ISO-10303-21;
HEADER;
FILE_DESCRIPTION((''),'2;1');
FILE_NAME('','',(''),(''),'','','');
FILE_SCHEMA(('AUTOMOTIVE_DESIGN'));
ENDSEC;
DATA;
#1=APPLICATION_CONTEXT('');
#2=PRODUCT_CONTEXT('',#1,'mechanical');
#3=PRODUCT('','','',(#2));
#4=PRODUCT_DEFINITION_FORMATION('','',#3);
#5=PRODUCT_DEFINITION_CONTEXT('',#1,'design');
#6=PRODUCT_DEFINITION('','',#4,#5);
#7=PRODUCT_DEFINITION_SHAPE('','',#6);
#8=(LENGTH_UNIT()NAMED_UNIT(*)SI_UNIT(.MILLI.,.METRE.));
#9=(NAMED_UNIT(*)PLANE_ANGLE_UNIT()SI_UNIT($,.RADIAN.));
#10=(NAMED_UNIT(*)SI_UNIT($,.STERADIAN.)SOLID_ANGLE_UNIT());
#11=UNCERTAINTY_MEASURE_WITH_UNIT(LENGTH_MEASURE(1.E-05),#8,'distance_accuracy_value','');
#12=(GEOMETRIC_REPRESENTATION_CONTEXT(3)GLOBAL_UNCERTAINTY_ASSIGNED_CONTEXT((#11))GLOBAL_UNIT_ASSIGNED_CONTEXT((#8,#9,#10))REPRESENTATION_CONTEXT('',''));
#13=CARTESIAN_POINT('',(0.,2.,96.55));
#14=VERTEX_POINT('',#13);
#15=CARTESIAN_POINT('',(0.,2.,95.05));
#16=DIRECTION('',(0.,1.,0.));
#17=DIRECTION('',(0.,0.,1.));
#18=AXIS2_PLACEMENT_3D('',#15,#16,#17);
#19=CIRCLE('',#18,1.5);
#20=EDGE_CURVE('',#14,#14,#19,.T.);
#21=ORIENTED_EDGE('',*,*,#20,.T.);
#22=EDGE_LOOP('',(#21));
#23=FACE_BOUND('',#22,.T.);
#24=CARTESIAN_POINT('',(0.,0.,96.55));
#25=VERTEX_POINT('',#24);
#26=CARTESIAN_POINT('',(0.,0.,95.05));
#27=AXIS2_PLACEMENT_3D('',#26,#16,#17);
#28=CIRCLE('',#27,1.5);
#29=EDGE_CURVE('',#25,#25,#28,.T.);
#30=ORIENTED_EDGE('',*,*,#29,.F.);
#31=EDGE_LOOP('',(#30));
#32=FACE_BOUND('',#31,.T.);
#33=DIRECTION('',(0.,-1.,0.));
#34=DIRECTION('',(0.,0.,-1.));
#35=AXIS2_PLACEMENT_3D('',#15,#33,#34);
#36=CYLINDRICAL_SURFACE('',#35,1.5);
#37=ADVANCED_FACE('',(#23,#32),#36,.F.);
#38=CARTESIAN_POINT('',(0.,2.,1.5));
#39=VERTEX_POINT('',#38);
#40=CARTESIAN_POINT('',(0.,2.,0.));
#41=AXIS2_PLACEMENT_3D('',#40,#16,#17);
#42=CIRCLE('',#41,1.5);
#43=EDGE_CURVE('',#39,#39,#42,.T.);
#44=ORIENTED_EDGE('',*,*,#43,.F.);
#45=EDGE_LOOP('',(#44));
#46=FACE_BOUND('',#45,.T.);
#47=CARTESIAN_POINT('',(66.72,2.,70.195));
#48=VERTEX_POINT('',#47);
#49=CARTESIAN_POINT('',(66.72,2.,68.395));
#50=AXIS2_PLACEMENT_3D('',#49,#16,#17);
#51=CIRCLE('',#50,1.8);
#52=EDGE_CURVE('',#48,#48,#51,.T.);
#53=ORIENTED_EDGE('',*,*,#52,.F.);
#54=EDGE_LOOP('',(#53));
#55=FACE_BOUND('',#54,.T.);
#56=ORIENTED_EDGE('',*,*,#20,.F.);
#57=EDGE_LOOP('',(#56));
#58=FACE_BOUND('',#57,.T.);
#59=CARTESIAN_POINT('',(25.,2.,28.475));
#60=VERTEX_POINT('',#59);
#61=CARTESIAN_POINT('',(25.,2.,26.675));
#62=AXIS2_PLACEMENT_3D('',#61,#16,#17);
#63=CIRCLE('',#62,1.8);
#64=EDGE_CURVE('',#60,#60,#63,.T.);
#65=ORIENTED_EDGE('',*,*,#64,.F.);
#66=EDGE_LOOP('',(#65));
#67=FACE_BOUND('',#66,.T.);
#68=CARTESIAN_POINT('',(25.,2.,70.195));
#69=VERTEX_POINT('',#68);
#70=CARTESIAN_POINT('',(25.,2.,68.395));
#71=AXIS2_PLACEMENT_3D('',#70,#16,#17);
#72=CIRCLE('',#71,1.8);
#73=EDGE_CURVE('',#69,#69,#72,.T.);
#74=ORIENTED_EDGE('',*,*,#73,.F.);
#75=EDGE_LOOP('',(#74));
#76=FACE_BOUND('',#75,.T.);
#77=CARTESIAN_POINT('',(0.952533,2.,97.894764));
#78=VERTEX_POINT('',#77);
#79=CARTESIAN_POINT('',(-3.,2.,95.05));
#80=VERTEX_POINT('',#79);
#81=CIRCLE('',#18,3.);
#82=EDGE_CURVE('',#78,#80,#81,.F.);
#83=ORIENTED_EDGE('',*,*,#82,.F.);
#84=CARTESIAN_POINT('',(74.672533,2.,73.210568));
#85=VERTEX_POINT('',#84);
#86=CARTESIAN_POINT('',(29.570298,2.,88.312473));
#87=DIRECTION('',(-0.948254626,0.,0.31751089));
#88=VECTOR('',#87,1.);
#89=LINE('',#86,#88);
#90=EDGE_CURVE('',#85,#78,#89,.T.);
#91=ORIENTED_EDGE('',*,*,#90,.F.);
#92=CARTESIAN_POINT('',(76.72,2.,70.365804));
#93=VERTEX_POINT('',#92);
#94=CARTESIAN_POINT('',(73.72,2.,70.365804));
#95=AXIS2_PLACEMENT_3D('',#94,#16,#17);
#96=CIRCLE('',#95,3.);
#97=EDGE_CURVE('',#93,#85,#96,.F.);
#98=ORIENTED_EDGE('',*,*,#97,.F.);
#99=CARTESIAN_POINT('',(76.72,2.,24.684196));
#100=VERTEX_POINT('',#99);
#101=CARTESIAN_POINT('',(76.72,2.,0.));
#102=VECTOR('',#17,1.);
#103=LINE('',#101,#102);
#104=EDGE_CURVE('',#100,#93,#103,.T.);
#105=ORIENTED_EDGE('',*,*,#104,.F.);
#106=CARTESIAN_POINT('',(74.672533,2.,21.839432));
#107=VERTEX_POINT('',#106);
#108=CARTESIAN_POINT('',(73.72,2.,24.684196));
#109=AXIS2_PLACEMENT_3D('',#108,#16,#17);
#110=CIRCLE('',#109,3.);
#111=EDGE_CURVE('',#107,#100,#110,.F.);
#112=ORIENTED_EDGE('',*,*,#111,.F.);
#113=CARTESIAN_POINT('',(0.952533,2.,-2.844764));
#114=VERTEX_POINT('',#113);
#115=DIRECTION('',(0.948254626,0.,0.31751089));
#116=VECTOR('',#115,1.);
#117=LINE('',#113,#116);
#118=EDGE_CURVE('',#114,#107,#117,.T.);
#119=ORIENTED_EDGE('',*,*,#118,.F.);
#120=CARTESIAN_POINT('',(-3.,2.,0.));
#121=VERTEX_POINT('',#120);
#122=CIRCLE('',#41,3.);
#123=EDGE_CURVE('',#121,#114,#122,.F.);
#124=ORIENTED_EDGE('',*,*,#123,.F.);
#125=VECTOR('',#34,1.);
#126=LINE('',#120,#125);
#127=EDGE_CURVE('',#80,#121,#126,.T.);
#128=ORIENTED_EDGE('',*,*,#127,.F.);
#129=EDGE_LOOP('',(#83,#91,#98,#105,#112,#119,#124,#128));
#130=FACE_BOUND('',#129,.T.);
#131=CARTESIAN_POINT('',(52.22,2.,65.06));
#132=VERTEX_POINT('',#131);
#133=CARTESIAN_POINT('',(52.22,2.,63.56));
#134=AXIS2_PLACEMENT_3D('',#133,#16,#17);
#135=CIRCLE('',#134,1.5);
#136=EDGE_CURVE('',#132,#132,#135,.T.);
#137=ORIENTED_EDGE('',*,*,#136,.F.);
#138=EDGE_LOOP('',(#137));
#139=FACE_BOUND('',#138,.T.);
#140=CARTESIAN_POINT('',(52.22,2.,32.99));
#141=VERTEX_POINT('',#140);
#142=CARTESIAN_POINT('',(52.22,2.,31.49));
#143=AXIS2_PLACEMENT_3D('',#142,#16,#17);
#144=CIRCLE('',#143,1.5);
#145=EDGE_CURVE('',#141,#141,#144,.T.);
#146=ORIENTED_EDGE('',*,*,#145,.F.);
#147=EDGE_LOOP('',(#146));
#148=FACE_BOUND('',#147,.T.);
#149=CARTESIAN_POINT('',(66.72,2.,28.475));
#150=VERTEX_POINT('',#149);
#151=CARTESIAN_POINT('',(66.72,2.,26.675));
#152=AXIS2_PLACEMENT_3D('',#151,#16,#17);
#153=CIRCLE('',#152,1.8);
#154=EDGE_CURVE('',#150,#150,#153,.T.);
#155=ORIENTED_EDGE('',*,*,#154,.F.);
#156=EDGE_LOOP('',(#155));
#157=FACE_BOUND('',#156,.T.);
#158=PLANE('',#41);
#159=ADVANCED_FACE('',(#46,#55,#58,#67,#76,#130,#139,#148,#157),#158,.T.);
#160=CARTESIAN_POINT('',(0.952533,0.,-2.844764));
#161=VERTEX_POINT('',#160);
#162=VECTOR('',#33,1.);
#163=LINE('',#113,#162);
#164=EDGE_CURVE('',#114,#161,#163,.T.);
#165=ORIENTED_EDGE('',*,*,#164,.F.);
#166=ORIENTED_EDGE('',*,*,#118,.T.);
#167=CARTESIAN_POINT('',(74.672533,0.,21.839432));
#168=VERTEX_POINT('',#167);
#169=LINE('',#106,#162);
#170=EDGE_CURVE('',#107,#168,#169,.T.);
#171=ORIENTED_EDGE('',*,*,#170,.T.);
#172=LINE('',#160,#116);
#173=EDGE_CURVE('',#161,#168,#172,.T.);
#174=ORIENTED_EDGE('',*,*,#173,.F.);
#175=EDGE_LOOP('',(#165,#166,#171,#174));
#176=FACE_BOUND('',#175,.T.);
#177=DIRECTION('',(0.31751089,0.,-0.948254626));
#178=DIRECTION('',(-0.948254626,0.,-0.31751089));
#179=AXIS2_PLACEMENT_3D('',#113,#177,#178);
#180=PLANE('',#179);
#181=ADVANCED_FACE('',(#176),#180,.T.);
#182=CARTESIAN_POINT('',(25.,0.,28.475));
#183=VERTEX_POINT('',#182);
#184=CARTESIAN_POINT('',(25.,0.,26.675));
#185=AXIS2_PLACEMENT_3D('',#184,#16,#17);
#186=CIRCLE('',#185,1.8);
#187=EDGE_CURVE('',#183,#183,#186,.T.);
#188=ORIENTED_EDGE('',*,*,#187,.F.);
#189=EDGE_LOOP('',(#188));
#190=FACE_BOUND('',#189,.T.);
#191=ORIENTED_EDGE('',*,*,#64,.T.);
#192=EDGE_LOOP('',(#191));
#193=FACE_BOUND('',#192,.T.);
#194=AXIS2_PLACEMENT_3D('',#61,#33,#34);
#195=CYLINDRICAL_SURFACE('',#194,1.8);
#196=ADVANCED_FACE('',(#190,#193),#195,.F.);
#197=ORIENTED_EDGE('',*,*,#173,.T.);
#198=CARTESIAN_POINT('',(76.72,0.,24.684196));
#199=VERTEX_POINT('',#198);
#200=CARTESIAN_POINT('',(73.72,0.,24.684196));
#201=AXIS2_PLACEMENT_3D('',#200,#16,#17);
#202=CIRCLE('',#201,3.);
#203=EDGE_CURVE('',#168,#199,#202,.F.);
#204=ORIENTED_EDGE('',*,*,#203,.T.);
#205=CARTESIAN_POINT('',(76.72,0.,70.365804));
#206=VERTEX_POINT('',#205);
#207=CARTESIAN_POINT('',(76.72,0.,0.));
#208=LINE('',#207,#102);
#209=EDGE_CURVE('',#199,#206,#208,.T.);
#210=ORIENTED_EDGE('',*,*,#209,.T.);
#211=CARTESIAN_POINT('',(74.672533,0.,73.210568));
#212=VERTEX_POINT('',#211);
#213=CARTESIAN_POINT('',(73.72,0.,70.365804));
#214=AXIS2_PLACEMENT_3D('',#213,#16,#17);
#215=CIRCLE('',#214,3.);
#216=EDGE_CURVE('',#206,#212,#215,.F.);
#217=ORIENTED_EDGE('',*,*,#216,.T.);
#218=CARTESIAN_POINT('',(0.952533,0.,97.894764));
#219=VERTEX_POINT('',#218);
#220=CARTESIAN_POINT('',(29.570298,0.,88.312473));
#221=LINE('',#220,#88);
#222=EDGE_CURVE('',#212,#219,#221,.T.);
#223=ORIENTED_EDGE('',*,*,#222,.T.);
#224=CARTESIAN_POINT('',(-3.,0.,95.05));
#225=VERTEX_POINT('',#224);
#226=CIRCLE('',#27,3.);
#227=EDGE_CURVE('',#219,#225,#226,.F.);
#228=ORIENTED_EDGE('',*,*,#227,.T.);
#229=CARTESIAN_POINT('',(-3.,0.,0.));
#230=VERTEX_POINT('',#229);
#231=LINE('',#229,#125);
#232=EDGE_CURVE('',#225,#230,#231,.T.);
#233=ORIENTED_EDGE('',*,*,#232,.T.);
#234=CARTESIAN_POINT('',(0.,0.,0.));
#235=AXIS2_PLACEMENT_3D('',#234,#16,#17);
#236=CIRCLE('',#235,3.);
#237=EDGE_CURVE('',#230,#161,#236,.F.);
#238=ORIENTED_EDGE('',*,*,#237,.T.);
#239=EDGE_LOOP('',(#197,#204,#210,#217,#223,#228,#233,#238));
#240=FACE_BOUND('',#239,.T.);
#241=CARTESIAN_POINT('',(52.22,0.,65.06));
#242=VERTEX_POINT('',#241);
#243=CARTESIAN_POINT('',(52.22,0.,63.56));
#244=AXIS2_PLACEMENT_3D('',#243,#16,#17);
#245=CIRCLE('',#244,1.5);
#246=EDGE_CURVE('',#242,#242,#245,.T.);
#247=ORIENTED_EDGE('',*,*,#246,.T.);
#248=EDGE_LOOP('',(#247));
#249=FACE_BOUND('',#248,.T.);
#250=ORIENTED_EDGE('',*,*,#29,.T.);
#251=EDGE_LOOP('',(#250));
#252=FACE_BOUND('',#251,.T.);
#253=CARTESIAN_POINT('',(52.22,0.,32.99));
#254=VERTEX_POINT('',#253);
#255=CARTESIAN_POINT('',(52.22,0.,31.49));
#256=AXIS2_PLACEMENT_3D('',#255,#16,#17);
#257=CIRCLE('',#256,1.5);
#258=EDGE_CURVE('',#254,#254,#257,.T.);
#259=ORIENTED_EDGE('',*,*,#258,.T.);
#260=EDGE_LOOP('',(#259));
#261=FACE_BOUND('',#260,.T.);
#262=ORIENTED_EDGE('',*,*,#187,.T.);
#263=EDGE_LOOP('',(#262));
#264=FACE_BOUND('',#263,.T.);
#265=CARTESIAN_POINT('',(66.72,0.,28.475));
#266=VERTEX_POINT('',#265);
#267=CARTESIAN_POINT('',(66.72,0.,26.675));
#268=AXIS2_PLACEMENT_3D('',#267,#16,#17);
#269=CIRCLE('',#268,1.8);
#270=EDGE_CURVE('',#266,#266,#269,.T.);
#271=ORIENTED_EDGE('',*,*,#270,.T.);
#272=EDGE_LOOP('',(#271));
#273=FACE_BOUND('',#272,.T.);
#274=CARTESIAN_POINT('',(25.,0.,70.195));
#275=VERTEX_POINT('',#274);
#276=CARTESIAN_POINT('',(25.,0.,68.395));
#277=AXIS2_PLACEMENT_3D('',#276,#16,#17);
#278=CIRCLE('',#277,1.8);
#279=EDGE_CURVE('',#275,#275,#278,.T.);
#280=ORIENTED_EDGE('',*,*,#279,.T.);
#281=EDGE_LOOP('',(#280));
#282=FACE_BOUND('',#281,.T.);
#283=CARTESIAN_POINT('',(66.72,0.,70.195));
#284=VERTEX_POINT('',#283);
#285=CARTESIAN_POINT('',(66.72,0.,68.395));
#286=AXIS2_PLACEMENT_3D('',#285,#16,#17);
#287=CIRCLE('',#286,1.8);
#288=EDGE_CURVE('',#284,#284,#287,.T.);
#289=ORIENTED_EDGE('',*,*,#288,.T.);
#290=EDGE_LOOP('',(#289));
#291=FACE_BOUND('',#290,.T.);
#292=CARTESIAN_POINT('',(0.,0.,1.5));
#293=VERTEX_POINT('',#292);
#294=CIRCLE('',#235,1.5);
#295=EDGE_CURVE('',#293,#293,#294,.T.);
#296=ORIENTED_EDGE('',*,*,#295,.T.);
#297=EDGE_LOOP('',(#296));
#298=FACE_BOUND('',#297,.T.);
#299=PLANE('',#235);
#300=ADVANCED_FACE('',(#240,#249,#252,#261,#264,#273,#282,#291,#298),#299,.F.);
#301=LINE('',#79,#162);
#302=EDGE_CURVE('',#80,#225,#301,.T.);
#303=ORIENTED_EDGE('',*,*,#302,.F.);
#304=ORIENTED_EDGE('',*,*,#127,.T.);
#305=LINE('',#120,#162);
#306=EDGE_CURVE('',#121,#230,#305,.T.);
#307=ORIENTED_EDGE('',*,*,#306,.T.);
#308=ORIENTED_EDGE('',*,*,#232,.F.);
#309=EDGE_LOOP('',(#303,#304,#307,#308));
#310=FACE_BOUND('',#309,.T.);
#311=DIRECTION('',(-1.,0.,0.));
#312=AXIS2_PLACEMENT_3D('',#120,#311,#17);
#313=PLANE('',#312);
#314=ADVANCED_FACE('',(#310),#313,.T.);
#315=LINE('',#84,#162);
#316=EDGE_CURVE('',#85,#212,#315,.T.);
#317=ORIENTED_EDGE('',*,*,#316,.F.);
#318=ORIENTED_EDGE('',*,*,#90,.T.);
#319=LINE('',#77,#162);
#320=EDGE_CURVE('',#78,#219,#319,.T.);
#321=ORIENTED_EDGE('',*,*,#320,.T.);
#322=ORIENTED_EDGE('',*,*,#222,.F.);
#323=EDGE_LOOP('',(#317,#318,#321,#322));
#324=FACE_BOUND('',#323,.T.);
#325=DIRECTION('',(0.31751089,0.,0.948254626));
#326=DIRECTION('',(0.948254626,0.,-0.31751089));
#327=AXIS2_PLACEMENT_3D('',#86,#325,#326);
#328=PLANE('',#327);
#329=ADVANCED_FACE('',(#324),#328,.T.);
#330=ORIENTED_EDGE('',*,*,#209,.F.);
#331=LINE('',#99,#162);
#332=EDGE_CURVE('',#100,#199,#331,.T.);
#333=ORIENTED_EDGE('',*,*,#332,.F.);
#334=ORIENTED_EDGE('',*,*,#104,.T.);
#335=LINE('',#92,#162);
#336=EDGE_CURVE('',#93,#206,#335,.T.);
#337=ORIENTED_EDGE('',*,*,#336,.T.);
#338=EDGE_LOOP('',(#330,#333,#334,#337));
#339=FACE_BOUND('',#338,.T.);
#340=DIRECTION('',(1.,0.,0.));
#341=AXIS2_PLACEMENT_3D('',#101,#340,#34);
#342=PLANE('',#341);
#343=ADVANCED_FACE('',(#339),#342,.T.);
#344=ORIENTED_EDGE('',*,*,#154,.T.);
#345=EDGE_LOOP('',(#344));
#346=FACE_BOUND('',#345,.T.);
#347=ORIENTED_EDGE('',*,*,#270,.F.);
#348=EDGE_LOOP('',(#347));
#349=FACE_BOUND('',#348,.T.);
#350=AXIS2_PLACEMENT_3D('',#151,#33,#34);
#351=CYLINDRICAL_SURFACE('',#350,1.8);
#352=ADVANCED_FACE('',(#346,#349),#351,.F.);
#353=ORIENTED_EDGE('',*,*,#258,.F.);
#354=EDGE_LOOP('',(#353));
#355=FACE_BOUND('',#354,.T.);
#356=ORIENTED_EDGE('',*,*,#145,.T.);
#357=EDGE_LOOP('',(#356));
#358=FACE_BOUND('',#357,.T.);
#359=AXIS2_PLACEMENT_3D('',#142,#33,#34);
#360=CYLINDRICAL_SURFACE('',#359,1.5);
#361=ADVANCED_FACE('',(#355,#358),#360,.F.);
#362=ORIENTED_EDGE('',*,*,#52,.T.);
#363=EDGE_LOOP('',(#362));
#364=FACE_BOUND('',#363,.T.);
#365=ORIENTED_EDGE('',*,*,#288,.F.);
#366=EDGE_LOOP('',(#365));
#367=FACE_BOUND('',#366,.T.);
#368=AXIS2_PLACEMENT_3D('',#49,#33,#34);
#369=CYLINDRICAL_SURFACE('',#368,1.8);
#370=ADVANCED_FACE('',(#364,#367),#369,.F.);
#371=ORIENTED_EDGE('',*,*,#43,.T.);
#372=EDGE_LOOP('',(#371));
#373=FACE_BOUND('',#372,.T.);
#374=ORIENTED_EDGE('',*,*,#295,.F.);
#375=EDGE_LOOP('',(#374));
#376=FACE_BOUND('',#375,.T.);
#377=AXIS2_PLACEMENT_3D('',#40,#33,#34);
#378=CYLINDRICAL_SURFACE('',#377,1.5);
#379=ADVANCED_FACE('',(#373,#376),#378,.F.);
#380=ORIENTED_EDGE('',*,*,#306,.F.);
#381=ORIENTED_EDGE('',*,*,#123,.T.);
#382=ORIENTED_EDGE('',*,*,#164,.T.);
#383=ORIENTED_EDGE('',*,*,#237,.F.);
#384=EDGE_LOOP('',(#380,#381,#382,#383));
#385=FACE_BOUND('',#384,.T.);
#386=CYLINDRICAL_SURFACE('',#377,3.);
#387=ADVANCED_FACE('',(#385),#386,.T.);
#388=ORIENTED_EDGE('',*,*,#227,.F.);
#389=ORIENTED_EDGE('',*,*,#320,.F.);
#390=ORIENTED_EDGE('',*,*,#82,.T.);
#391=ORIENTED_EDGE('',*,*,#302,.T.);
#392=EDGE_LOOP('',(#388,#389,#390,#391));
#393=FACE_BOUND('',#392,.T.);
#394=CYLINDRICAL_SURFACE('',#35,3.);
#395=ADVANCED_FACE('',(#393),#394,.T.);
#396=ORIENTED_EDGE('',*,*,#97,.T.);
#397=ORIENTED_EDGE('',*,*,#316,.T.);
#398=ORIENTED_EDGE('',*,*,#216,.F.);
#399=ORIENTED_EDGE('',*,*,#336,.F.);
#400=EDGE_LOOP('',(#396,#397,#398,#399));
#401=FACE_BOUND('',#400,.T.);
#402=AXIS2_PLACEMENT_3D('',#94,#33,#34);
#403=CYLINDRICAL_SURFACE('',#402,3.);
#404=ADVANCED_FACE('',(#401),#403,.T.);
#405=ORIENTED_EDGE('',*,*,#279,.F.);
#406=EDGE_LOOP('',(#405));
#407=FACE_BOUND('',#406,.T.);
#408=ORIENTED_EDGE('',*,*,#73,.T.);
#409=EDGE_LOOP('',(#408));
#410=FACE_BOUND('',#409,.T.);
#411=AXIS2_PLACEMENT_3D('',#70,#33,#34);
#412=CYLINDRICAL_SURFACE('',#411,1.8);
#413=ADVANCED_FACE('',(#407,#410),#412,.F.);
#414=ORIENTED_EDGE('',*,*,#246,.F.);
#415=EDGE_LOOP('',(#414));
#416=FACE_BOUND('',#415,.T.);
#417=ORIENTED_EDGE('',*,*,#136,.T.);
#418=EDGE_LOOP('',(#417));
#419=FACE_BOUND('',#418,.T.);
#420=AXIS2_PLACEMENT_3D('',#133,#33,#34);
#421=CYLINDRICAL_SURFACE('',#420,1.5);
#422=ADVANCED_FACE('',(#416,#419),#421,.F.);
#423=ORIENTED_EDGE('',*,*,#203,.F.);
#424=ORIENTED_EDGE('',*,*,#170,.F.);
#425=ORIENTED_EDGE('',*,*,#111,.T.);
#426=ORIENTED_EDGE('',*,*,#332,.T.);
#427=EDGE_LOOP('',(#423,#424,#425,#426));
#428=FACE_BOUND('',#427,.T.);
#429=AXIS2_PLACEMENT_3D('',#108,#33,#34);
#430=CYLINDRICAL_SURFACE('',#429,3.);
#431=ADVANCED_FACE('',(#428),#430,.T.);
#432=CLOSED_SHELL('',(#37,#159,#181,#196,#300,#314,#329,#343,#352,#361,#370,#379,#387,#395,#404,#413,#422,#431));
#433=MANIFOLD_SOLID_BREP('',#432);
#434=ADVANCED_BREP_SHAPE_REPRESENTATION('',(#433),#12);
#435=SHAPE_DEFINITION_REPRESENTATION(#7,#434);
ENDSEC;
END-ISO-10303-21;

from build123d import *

# Parameters (mm, degrees)
CROQUIS1_R              = 1.8
CROQUIS1_R_2            = 1.5
SALIENTE_EXTRUIR1_DEPTH = 2


with BuildPart() as part:
    # Croquis1 → Saliente-Extruir1 (new body)
    with BuildSketch(Plane(origin=(0, 0, 0), x_dir=(1, 0, 0), z_dir=(0, 1, 0))):
        with BuildLine():
            Line((0.952532669, 2.844763877), (74.672532669, -21.839431846))
            ThreePointArc((74.672532669, -21.839431846), (76.154912525, -22.931711487), (76.72, -24.684195722))
            Line((76.72, -24.684195722), (76.72, -70.365804278))
            ThreePointArc((76.72, -70.365804278), (76.154912525, -72.118288513), (74.672532669, -73.210568154))
            Line((74.672532669, -73.210568154), (0.952532669, -97.894763877))
            ThreePointArc((0.952532669, -97.894763877), (-1.752484236, -97.484912525), (-3, -95.05))
            Line((-3, -95.05), (-3, 0))
            ThreePointArc((-3, 0), (-1.752484236, 2.434912525), (0.952532669, 2.844763877))
        make_face()
        with Locations(Location((25, -26.675, 0), (0, 0, 270))):
            Circle(CROQUIS1_R, mode=Mode.SUBTRACT)
        with Locations(Location((25, -68.395, 0), (0, 0, 270))):
            Circle(CROQUIS1_R, mode=Mode.SUBTRACT)
        with Locations(Location((66.72, -26.675, 0), (0, 0, 270))):
            Circle(CROQUIS1_R, mode=Mode.SUBTRACT)
        with Locations(Location((66.72, -68.395, 0), (0, 0, 270))):
            Circle(CROQUIS1_R, mode=Mode.SUBTRACT)
        with Locations(Location((0, 0, 0), (0, 0, 270))):
            Circle(CROQUIS1_R_2, mode=Mode.SUBTRACT)
        with Locations(Location((0, -95.05, 0), (0, 0, 270))):
            Circle(CROQUIS1_R_2, mode=Mode.SUBTRACT)
        with Locations(Location((52.22, -31.49, 0), (0, 0, 270))):
            Circle(CROQUIS1_R_2, mode=Mode.SUBTRACT)
        with Locations(Location((52.22, -63.56, 0), (0, 0, 270))):
            Circle(CROQUIS1_R_2, mode=Mode.SUBTRACT)
    extrude(amount=SALIENTE_EXTRUIR1_DEPTH)


solid = part.part
